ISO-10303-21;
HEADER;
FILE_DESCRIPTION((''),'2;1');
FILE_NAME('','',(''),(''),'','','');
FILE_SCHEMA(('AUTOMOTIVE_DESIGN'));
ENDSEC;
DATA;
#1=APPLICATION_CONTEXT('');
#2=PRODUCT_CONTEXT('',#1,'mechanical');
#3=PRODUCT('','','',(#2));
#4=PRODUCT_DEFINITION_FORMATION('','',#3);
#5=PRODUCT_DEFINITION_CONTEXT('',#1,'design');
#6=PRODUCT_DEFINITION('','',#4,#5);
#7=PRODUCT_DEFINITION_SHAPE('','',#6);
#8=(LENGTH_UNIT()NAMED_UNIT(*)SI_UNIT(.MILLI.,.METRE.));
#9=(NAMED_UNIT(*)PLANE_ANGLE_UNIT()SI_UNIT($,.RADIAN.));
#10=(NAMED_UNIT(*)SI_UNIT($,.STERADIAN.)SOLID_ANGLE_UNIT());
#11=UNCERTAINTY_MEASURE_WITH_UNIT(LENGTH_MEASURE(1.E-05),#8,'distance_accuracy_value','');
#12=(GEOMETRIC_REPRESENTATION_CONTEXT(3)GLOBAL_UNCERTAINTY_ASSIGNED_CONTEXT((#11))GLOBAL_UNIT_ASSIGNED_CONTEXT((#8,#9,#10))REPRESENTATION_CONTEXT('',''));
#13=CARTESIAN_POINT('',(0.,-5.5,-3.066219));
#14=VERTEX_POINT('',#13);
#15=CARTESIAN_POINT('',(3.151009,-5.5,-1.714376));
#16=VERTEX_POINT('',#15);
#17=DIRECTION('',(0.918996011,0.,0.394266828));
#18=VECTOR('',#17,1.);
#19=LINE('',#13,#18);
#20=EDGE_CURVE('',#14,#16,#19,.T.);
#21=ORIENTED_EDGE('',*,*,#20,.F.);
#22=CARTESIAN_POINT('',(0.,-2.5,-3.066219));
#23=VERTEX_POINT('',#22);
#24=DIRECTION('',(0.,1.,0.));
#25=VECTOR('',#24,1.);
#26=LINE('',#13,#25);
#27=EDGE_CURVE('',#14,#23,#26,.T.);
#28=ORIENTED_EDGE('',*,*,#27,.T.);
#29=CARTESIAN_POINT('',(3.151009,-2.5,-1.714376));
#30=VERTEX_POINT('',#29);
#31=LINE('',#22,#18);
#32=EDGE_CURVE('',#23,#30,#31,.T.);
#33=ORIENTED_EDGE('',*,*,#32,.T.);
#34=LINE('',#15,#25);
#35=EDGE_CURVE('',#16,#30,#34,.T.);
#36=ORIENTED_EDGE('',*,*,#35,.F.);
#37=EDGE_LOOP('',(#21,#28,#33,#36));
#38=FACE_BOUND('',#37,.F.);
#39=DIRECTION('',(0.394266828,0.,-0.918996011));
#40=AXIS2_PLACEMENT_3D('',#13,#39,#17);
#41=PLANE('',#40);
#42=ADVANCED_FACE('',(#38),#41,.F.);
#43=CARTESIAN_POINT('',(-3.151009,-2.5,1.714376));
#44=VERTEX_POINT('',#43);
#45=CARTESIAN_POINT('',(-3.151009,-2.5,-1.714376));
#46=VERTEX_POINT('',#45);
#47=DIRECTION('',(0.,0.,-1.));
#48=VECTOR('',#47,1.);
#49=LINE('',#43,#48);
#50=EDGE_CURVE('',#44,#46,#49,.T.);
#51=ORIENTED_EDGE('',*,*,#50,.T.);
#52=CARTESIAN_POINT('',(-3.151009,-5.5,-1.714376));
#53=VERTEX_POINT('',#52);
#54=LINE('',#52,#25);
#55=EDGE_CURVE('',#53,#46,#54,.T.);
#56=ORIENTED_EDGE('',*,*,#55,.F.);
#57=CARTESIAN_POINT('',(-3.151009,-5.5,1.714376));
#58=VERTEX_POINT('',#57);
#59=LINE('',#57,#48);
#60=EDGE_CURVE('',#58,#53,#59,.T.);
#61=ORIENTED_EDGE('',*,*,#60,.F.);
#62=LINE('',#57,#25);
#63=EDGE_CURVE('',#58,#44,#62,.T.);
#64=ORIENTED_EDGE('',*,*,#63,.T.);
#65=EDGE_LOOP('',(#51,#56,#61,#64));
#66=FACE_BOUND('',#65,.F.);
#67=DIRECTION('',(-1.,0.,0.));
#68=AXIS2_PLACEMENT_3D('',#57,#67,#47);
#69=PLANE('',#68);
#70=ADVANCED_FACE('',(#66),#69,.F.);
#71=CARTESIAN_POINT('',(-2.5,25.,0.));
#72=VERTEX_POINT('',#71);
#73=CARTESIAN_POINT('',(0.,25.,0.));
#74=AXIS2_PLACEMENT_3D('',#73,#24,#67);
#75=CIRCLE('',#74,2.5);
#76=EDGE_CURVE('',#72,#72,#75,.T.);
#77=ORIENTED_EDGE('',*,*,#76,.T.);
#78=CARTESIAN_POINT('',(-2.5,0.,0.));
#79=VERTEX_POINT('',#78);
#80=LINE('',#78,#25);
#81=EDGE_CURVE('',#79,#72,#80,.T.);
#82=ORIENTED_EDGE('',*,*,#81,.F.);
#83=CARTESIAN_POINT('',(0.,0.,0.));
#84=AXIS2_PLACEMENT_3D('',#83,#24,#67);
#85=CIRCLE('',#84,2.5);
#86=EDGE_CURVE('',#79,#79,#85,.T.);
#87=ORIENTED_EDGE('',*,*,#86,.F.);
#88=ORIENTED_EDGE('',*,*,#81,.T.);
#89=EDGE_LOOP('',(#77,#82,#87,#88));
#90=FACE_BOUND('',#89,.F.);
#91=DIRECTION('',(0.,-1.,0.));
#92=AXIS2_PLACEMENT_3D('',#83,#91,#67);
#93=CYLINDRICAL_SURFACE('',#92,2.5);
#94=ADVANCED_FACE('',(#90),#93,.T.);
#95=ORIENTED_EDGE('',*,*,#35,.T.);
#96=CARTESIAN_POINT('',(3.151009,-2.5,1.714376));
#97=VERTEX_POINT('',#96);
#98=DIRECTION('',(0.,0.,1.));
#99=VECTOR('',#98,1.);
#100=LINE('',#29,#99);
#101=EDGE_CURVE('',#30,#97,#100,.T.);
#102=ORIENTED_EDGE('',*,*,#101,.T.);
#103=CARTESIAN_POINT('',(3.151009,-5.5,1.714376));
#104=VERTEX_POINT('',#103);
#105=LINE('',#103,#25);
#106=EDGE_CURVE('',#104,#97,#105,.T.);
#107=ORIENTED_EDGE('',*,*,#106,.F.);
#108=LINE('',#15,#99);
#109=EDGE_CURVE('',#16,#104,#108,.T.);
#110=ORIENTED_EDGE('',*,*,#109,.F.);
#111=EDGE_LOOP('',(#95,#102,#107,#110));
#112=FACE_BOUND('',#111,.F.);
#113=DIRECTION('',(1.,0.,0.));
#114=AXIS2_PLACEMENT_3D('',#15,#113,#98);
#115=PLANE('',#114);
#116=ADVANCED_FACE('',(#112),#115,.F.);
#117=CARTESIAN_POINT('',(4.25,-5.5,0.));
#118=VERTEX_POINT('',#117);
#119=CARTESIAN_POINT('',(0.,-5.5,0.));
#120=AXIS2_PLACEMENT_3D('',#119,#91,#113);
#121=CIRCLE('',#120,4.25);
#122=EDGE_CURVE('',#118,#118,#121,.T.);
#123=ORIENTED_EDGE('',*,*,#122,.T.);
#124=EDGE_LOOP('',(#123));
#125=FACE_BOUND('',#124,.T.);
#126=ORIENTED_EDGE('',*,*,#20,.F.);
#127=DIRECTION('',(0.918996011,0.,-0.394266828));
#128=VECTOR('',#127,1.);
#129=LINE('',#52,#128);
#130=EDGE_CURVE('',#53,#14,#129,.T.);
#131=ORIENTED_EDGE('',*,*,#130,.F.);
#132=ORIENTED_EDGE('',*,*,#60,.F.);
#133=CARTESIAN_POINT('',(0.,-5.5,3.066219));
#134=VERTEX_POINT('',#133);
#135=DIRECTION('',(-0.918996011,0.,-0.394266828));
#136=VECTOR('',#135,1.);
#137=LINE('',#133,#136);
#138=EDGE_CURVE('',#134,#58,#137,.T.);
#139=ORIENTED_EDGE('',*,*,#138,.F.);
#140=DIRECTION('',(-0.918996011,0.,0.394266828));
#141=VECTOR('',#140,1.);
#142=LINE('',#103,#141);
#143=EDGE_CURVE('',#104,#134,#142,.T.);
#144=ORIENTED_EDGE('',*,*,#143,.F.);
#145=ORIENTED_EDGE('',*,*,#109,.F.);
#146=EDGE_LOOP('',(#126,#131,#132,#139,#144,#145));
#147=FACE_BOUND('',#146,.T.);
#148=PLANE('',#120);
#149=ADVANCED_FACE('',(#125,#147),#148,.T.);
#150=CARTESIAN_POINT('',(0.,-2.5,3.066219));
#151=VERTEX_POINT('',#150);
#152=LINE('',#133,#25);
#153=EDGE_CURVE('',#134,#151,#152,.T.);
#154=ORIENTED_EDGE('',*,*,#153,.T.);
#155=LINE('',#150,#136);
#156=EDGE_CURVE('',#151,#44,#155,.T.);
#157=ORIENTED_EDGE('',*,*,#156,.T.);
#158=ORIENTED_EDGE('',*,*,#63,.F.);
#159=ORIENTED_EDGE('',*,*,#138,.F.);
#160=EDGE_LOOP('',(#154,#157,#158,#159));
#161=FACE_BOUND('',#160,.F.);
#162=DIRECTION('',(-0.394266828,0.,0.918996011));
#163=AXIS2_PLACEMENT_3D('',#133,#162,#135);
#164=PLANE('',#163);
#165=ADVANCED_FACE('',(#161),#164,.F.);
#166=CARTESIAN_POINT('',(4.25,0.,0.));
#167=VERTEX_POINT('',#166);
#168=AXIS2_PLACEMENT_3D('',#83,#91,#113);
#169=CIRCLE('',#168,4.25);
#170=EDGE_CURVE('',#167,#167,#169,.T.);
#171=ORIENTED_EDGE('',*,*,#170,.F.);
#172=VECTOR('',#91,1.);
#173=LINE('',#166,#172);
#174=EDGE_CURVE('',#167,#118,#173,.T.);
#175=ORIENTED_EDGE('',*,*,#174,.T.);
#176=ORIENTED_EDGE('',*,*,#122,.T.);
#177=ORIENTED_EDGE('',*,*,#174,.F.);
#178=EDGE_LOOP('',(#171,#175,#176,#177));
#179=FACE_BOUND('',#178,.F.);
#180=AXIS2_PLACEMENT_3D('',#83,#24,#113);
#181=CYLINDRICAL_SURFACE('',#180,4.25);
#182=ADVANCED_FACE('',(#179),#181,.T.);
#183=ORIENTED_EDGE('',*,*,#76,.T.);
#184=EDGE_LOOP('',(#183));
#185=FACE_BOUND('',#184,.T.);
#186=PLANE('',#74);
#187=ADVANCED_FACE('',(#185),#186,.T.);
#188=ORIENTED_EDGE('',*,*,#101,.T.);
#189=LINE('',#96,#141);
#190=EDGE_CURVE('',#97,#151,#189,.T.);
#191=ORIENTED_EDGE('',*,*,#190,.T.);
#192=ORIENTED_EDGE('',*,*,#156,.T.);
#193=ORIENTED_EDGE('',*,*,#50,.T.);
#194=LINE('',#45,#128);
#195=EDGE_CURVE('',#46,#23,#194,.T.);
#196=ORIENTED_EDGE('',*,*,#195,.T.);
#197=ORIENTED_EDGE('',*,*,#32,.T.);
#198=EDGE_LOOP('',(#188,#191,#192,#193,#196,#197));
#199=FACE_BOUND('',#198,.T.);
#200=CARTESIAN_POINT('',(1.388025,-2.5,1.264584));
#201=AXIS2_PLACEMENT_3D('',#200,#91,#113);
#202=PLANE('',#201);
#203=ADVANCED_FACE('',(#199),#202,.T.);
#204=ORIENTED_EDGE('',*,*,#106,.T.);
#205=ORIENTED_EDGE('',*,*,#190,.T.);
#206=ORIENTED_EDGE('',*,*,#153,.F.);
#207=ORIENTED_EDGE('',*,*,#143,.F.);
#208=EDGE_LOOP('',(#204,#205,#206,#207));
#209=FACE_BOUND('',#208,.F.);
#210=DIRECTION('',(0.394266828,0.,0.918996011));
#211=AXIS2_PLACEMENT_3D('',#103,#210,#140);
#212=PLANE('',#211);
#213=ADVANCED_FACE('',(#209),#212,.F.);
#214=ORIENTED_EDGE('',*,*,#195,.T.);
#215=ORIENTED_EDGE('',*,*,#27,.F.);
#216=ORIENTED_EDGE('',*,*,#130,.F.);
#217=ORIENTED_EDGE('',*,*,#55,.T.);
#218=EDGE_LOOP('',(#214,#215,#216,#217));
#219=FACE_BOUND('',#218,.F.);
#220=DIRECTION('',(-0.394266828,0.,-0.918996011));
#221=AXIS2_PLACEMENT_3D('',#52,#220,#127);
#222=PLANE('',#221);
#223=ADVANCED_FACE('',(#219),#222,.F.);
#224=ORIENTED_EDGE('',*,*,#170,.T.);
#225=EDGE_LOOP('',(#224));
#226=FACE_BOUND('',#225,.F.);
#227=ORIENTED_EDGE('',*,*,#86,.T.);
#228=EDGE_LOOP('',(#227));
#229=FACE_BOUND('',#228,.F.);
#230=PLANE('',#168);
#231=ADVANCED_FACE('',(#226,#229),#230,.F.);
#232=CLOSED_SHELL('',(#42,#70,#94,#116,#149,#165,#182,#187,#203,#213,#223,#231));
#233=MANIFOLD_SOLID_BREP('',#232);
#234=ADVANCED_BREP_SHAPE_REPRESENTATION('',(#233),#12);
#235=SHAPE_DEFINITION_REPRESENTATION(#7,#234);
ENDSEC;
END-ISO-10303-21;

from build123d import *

# Parameters (mm, degrees)
F0_R     = 4.25
F1_DEPTH = 5.5
F3_DEPTH = 3
F4_R     = 2.5
F5_DEPTH = 25


with BuildPart() as f1:
    # F0 (on Front) → F1 (new body)
    with BuildSketch(Plane.XZ):
        Circle(F0_R)
    extrude(amount=F1_DEPTH)

    # F2 (on face) → F3 (cut)
    with BuildSketch(Plane.XZ.offset(5.5)):
        Polygon((3.151009, 1.714376), (0, 3.066219), (0, 0), (3.151009, 0), align=None)
        Polygon((0, 0), (0, 3.066219), (-3.151009, 1.714376), (-3.151009, 0), align=None)
        Polygon((3.151009, 0), (0, 0), (0, -3.066219), (3.151009, -1.714376), align=None)
        Polygon((0, -3.066219), (0, 0), (-3.151009, 0), (-3.151009, -1.714376), align=None)
    extrude(amount=-F3_DEPTH, mode=Mode.SUBTRACT)

    # F4 (on face) → F5 (join)
    with BuildSketch(Plane(origin=(0, 0, 0), x_dir=(-1, 0, 0), z_dir=(0, 1, 0))):
        Circle(F4_R)
    extrude(amount=F5_DEPTH)


solid = f1.part
